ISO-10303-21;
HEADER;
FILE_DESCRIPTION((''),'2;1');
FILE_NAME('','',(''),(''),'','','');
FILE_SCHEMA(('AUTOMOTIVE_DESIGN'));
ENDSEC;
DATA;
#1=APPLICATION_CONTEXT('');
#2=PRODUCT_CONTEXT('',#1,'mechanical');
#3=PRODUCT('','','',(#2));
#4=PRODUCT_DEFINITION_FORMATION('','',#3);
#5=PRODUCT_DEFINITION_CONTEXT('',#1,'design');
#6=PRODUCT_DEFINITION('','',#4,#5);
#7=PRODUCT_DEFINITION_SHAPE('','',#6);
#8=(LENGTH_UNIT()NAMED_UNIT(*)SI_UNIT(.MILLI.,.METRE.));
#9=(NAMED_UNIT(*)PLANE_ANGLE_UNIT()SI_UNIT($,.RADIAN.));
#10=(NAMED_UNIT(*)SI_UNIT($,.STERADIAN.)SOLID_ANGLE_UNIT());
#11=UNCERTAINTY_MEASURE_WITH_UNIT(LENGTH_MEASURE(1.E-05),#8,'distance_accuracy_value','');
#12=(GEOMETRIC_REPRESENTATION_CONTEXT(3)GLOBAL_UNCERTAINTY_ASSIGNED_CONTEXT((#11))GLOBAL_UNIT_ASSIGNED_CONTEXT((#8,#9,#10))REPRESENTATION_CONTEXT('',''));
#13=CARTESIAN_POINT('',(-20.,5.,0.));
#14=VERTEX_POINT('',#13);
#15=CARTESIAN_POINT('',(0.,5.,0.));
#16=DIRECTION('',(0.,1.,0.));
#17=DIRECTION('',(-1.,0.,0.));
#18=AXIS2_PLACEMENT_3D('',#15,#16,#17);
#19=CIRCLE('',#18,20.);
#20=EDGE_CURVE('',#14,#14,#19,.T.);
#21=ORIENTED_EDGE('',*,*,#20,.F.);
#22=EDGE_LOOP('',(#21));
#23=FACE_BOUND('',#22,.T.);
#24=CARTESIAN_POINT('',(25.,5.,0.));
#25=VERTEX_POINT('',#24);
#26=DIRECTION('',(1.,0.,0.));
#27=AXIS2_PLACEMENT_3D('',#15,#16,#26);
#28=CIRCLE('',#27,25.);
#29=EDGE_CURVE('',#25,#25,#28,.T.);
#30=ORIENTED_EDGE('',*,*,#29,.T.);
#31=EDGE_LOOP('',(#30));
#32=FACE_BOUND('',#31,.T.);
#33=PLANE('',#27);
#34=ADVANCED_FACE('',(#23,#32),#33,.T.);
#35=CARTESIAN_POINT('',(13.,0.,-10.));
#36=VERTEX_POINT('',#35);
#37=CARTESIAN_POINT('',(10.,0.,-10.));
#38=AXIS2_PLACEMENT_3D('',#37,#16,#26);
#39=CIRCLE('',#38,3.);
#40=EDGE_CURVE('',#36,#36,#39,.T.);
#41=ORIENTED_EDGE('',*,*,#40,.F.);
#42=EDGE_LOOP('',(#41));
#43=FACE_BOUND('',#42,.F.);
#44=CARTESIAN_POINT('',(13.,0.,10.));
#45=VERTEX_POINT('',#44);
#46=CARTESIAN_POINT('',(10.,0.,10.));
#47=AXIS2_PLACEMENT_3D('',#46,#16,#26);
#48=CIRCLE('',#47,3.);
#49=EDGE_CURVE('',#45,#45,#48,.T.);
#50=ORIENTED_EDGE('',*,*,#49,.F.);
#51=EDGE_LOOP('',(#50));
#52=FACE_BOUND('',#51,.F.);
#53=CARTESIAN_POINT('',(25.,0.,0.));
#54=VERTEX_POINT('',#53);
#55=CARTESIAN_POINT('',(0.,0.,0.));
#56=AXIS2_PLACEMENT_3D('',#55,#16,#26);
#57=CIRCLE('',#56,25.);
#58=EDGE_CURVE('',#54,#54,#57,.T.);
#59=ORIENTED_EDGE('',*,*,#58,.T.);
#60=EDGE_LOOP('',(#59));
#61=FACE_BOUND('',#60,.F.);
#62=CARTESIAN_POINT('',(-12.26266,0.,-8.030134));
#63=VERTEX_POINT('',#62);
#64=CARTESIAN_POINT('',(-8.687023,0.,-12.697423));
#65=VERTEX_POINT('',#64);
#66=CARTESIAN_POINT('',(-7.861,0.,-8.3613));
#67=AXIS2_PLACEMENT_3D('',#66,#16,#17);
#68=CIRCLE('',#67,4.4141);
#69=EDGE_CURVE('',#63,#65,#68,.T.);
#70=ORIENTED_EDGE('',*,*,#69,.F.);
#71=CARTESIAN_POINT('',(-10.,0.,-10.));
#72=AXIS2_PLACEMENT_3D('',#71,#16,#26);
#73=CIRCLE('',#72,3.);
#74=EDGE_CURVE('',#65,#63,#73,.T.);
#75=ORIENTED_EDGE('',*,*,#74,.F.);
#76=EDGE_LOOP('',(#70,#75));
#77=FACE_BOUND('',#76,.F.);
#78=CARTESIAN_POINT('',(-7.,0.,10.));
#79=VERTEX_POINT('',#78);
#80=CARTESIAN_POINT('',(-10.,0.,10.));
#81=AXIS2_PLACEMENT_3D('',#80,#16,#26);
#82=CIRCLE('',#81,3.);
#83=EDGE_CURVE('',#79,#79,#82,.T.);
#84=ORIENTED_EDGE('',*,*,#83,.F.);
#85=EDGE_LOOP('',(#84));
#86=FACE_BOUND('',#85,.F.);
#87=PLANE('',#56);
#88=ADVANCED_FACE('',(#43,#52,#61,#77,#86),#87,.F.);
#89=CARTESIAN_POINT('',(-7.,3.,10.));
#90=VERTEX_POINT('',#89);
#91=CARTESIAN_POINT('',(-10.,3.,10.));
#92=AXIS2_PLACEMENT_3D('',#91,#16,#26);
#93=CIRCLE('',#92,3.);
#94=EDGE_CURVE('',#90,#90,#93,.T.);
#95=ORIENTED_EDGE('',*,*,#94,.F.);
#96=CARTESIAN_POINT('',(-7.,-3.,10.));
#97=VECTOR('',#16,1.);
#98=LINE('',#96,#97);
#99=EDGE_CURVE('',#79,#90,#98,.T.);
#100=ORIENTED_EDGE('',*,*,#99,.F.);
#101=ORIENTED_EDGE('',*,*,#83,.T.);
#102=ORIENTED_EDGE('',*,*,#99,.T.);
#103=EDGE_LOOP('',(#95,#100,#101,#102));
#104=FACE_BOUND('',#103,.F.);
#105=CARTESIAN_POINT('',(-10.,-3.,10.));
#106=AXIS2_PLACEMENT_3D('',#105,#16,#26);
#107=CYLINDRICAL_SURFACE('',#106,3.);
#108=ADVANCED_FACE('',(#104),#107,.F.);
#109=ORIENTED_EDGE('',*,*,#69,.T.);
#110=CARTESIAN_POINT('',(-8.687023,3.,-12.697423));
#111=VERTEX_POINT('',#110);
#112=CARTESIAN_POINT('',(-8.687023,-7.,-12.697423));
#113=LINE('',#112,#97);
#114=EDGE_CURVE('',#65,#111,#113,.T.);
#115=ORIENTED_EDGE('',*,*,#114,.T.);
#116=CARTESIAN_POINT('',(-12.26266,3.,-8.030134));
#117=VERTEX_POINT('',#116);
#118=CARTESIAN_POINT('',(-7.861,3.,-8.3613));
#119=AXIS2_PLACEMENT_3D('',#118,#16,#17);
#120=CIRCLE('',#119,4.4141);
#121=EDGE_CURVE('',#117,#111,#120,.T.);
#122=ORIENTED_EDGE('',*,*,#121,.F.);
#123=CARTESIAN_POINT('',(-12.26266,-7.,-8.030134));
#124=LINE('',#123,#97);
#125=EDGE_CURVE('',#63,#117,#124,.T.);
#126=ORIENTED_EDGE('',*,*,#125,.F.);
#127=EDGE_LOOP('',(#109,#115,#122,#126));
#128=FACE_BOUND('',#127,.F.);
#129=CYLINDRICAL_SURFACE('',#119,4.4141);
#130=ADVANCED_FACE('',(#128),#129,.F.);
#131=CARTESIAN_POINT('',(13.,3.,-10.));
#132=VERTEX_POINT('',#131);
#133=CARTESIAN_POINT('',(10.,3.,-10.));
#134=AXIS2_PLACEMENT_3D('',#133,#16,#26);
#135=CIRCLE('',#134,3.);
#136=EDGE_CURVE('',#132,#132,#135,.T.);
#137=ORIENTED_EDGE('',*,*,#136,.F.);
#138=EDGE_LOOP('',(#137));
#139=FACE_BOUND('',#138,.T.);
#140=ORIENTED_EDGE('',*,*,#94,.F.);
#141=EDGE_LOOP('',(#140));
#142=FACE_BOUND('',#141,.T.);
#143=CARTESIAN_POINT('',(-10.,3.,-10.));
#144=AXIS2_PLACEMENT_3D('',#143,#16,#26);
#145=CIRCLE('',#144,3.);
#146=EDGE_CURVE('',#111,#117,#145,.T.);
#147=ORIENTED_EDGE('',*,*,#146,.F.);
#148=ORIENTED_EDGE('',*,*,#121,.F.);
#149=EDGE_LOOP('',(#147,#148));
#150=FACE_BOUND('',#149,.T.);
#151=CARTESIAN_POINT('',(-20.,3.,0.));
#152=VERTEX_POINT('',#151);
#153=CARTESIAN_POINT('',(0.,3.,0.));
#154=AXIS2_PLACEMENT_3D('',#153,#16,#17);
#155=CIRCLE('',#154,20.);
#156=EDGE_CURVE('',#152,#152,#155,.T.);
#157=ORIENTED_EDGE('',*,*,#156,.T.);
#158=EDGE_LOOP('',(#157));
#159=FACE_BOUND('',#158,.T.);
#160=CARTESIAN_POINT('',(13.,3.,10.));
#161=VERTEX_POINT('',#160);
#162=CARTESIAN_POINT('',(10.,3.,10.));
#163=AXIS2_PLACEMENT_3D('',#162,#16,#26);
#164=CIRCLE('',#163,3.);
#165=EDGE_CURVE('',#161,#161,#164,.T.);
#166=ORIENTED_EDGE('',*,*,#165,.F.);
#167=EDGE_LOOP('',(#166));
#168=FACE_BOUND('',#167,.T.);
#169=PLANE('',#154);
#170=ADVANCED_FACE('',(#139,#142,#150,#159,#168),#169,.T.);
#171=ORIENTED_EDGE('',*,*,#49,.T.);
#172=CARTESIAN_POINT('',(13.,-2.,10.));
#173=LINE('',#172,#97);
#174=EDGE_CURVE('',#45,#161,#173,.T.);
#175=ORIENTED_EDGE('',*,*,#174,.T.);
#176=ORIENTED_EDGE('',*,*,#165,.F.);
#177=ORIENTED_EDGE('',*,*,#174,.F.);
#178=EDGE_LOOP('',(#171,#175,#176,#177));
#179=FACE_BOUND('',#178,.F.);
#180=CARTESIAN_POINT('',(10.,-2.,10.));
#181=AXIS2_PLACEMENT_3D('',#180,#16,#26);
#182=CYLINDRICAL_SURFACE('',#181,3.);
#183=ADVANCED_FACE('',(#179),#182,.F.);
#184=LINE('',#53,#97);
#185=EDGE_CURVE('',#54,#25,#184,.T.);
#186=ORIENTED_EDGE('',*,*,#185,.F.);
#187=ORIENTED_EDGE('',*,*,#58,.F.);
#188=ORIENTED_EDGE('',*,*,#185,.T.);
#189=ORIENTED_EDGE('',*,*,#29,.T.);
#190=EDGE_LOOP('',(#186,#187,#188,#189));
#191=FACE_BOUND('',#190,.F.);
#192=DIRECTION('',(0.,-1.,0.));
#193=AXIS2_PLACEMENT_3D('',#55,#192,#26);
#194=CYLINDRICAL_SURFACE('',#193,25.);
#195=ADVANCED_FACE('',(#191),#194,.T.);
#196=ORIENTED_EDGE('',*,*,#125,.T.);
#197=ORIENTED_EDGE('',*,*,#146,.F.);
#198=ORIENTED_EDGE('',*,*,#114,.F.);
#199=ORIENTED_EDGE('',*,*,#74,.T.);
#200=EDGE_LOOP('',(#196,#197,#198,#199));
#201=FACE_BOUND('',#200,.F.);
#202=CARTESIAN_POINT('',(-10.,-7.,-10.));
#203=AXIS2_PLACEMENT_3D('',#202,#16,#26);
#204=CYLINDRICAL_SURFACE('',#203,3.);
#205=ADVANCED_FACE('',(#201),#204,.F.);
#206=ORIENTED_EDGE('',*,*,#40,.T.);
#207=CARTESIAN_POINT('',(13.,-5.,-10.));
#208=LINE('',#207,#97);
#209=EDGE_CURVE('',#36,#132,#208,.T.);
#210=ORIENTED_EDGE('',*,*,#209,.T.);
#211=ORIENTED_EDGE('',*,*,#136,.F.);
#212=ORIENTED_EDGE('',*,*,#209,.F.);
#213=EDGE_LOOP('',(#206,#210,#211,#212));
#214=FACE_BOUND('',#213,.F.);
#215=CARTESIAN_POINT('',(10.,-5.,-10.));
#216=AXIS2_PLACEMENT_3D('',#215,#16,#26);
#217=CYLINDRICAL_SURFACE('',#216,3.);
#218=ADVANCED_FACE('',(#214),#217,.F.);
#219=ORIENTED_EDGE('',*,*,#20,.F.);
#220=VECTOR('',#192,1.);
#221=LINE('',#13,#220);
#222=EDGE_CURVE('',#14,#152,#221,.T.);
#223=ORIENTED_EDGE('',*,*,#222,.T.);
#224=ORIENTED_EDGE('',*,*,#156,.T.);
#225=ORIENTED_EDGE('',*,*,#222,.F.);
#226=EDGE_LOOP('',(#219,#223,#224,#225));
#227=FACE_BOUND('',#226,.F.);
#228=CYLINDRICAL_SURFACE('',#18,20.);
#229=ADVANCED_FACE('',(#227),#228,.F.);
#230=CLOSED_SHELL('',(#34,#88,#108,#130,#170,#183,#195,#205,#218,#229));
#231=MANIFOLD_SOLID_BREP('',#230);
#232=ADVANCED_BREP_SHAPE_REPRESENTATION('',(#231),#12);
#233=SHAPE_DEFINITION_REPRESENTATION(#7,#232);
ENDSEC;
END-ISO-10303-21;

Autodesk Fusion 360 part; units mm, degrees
sketch "草图1" plane through (0, 0, 0) normal (0, 1, 0) x (1, 0, 0)
  circle A0 centre (0, 0) radius 25
extrude "拉伸1" add sketch "草图1" along normal blind 5
sketch "草图2" plane through (0, 5, 0) normal (0, 1, 0) x (-1, 0, 0)
  circle A0 centre (0, 0) radius 25
  circle A1 centre (0, 0) radius 20
extrude "拉伸2" cut sketch "草图2" against normal blind 2 contours A1
sketch "草图3" plane through (0, 3, 0) normal (0, 1, 0) x (-1, 0, 0)
  circle A0 centre (0, 0) radius 20
  circle A1 centre (7.861, -8.3613) radius 4.4141
cylinder "圆柱体基本要素1" cut diameter 6 height -10 placed x (1, 0, 0) y (0, 0, -1) z (0, 1, 0) at (-10, 3, -10)
cylinder "圆柱体基本要素2" cut diameter 6 height -8 placed x (1, 0, 0) y (0, 0, -1) z (0, 1, 0) at (10, 3, -10)
cylinder "圆柱体基本要素3" cut diameter 6 height -6 placed x (1, 0, 0) y (0, 0, -1) z (0, 1, 0) at (-10, 3, 10)
cylinder "圆柱体基本要素4" cut diameter 6 height -5 placed x (1, 0, 0) y (0, 0, -1) z (0, 1, 0) at (10, 3, 10)
extrude "拉伸3" cut sketch "草图3" against normal blind 5 contours A1
